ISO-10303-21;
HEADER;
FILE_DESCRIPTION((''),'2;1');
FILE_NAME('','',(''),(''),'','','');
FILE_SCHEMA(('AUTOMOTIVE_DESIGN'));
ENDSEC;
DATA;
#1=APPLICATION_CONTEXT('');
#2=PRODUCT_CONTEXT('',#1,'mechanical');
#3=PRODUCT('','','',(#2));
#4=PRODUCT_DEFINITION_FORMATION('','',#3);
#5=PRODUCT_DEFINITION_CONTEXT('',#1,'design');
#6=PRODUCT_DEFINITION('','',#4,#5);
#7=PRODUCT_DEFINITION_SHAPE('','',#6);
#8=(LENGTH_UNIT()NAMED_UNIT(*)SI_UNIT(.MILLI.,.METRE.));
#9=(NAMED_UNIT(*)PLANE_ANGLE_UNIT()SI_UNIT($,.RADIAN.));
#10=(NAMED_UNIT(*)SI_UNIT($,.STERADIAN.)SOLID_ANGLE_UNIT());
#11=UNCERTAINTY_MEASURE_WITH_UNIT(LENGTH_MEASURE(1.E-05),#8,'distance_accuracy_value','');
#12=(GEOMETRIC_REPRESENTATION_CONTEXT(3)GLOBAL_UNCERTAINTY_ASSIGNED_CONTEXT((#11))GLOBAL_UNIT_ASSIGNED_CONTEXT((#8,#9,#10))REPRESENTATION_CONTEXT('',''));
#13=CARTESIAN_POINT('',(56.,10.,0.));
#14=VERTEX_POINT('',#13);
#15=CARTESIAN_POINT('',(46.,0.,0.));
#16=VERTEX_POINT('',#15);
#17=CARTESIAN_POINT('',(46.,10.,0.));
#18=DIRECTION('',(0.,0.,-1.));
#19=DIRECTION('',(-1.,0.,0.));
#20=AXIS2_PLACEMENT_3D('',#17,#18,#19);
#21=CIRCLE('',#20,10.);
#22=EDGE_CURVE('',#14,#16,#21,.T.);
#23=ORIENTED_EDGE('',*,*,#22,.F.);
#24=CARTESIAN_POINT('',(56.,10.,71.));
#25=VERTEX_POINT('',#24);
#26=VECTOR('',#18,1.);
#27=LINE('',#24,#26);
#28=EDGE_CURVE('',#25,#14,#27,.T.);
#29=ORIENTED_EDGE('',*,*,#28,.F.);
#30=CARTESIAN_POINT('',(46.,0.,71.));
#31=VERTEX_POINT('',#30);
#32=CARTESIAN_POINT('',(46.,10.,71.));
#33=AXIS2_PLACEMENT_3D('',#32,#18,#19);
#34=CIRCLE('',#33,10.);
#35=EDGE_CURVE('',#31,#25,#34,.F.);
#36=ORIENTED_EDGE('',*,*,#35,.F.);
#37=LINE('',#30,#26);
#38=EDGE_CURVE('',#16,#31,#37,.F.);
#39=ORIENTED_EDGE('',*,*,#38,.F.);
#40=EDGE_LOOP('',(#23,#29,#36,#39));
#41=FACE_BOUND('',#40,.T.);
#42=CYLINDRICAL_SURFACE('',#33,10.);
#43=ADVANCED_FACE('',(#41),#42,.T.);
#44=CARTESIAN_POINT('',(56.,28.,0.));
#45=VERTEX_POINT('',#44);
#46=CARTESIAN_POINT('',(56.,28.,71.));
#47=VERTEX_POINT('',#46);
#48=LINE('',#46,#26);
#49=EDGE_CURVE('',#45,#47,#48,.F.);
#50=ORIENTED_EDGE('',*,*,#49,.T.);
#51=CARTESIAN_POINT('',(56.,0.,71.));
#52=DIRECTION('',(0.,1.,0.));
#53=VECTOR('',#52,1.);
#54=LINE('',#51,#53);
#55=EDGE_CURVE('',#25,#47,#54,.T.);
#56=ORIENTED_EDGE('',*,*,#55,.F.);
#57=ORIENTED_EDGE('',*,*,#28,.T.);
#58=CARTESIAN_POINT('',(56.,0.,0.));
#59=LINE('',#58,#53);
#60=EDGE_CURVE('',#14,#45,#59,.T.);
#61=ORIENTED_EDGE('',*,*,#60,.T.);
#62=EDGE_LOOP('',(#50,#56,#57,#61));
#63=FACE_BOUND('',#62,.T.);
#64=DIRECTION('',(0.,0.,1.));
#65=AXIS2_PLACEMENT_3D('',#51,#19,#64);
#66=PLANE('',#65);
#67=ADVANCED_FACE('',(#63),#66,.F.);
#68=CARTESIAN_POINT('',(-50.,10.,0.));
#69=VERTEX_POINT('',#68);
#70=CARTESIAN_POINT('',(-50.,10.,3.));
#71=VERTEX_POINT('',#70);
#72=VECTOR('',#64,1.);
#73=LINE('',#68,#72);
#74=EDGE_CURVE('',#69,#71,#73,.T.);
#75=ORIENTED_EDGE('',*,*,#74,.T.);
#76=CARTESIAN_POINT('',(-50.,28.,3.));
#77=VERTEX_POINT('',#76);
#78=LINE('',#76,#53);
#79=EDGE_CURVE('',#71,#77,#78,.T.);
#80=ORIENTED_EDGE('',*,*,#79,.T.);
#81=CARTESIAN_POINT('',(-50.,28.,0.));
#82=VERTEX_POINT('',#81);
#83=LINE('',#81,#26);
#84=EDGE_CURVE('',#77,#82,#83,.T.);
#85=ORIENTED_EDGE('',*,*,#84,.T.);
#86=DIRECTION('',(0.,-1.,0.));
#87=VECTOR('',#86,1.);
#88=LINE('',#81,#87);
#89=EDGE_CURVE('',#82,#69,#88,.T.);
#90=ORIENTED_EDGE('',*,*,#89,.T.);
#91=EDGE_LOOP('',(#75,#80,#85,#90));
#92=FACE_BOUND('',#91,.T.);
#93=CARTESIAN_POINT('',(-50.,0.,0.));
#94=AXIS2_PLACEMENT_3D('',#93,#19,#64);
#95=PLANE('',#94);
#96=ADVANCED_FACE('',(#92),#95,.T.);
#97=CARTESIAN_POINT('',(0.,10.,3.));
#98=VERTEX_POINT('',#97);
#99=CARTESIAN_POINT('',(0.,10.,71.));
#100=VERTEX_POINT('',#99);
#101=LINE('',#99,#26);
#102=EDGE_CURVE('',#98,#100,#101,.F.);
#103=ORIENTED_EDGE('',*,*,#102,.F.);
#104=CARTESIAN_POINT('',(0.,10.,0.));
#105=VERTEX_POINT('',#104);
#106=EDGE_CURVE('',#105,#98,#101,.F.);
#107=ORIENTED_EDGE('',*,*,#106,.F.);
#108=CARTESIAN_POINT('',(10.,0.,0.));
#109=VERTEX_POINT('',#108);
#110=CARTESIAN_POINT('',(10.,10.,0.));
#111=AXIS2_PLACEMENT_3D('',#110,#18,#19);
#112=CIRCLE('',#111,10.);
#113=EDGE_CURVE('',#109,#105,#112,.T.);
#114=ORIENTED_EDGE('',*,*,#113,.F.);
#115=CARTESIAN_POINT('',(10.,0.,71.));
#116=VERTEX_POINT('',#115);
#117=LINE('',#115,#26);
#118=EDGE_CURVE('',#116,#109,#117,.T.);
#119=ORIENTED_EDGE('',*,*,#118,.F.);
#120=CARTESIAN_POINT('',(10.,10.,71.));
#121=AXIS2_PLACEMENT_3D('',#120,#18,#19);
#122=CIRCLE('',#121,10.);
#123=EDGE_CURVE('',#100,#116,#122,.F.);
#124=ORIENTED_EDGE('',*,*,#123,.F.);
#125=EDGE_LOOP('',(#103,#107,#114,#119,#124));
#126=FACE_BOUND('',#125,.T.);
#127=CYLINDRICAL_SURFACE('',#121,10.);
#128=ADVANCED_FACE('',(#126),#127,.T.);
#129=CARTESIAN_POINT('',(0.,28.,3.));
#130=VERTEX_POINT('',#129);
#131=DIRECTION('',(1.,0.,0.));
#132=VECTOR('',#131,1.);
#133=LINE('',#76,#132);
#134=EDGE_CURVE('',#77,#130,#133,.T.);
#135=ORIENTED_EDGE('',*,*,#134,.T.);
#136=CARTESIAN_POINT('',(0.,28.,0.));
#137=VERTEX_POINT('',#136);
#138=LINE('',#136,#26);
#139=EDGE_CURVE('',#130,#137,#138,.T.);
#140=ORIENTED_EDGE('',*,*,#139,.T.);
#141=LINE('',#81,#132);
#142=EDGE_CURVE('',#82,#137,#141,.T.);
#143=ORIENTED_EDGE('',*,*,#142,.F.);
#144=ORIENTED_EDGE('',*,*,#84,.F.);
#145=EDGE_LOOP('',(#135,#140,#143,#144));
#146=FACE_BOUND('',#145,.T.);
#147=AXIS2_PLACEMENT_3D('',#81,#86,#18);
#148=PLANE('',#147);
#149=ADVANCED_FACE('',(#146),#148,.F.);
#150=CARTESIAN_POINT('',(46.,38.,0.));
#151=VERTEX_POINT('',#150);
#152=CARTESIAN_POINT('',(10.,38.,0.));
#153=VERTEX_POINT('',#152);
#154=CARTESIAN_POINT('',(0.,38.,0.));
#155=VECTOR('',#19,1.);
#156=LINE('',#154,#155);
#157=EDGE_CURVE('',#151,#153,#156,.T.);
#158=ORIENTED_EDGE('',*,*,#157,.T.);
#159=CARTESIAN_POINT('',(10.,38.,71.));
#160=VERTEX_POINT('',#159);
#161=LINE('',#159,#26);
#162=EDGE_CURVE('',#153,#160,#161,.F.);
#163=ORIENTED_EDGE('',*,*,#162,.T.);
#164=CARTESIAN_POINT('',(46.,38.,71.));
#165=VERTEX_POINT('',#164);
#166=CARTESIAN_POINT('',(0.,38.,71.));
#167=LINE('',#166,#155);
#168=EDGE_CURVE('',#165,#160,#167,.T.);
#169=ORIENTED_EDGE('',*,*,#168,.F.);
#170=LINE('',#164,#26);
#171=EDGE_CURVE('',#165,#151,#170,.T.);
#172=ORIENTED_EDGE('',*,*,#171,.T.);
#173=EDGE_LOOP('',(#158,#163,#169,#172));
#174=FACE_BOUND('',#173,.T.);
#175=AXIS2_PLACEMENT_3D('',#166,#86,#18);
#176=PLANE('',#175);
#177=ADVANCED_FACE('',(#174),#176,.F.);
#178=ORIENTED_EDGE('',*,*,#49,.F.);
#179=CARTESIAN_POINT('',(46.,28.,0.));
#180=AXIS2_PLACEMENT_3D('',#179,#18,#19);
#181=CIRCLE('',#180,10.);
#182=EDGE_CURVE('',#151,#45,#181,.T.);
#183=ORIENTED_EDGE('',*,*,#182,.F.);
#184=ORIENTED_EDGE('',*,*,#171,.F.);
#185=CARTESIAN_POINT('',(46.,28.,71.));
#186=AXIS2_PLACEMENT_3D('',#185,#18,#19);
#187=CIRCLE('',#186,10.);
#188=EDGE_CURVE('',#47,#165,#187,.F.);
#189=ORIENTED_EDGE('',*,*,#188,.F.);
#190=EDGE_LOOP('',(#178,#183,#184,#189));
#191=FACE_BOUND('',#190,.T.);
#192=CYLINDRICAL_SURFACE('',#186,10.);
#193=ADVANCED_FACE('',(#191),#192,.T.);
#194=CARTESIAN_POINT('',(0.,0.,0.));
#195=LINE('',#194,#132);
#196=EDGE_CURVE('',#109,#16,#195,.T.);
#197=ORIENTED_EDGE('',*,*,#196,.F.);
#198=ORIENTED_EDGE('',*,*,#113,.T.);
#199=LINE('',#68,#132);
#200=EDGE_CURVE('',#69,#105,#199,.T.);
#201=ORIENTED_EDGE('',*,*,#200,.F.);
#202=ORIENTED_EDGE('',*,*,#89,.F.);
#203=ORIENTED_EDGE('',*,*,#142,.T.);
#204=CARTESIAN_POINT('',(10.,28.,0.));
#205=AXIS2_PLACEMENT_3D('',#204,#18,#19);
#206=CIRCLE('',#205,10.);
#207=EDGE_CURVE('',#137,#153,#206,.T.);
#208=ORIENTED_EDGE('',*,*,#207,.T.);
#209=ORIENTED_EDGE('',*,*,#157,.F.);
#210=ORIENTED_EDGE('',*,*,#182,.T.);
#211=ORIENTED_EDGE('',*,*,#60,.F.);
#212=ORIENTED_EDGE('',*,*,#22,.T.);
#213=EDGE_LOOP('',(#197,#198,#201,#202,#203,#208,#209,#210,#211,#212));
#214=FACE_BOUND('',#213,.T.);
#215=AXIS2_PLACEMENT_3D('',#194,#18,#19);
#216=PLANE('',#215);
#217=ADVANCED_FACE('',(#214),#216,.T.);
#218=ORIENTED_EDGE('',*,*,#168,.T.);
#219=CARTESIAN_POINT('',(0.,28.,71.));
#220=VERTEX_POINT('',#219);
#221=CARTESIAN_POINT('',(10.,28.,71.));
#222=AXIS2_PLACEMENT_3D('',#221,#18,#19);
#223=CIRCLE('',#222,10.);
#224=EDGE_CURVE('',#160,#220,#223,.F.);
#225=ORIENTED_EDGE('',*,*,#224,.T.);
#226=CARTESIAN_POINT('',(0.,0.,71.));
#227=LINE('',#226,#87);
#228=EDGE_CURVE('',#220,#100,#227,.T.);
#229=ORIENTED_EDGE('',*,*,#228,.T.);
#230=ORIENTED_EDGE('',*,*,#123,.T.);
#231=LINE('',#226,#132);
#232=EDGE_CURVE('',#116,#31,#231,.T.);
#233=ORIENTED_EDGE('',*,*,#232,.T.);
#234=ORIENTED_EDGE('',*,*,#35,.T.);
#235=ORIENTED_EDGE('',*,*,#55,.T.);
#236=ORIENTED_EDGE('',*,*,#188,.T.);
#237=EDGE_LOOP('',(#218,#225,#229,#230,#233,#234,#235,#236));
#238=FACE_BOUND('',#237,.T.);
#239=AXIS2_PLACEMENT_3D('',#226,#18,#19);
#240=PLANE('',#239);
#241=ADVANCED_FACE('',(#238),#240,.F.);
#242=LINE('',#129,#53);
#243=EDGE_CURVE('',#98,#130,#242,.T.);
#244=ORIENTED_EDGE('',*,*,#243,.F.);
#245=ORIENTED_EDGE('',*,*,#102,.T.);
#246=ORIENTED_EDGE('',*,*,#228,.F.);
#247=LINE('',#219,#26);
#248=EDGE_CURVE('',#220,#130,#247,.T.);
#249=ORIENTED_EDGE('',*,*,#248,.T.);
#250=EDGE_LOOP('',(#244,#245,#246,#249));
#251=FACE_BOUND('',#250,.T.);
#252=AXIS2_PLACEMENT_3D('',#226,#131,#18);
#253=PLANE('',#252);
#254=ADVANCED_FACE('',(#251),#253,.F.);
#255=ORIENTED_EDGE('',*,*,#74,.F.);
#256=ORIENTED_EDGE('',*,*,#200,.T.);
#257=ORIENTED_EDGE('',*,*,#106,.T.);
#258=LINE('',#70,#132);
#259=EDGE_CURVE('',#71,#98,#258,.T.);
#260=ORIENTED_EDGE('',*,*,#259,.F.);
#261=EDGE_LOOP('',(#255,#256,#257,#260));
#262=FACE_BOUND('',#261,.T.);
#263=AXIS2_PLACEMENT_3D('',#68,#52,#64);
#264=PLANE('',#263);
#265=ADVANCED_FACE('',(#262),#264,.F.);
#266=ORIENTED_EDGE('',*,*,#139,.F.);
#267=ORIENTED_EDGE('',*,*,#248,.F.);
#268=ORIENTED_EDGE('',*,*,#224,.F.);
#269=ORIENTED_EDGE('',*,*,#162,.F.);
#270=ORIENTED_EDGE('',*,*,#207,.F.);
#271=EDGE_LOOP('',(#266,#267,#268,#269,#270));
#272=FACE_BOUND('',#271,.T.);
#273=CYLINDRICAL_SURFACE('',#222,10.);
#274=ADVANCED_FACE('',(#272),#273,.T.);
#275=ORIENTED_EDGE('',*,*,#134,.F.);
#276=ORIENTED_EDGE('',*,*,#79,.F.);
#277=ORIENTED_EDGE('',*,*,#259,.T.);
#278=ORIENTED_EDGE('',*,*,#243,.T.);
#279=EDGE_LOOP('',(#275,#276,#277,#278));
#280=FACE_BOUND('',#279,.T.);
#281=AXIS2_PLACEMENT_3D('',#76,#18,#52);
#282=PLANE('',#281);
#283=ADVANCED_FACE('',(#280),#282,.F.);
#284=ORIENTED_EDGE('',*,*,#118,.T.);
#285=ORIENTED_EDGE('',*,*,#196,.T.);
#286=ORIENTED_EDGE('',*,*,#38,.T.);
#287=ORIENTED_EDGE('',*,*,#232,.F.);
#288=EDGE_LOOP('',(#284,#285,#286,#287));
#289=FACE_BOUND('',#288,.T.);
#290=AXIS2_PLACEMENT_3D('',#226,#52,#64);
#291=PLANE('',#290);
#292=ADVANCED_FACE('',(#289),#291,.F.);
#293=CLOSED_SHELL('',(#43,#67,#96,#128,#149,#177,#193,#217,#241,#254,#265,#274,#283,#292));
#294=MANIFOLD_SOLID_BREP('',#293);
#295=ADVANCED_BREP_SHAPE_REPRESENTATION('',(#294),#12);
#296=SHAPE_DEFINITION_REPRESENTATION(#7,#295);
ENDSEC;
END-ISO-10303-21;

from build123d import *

# Parameters (mm, degrees)
SKETCH_1_W      = 56
SKETCH_1_H      = 38
EXTRUDE_1_DEPTH = 71
FILLET_1_R      = 10
SKETCH_2_W      = 3
SKETCH_2_H      = 18
EXTRUDE_2_DEPTH = 50


with BuildPart() as part:
    # 草图1 → 凸台-拉伸1 (new body)
    with BuildSketch(Plane.XY):
        with Locations((28, 19)):
            Rectangle(SKETCH_1_W, SKETCH_1_H)
    extrude(amount=EXTRUDE_1_DEPTH)

    # 圆角1
    fillet_1_edges = [part.edges().sort_by_distance(p)[0] for p in [
        (0, 38, 35.5),
        (56, 38, 35.5),
        (56, 0, 35.5),
        (0, 0, 35.5),
    ]]
    fillet(fillet_1_edges, radius=FILLET_1_R)

    # 草图2 → 凸台-拉伸2 (add)
    with BuildSketch(Plane.ZY):
        with Locations((1.5, 19)):
            Rectangle(SKETCH_2_W, SKETCH_2_H)
    extrude(amount=EXTRUDE_2_DEPTH)


solid = part.part
